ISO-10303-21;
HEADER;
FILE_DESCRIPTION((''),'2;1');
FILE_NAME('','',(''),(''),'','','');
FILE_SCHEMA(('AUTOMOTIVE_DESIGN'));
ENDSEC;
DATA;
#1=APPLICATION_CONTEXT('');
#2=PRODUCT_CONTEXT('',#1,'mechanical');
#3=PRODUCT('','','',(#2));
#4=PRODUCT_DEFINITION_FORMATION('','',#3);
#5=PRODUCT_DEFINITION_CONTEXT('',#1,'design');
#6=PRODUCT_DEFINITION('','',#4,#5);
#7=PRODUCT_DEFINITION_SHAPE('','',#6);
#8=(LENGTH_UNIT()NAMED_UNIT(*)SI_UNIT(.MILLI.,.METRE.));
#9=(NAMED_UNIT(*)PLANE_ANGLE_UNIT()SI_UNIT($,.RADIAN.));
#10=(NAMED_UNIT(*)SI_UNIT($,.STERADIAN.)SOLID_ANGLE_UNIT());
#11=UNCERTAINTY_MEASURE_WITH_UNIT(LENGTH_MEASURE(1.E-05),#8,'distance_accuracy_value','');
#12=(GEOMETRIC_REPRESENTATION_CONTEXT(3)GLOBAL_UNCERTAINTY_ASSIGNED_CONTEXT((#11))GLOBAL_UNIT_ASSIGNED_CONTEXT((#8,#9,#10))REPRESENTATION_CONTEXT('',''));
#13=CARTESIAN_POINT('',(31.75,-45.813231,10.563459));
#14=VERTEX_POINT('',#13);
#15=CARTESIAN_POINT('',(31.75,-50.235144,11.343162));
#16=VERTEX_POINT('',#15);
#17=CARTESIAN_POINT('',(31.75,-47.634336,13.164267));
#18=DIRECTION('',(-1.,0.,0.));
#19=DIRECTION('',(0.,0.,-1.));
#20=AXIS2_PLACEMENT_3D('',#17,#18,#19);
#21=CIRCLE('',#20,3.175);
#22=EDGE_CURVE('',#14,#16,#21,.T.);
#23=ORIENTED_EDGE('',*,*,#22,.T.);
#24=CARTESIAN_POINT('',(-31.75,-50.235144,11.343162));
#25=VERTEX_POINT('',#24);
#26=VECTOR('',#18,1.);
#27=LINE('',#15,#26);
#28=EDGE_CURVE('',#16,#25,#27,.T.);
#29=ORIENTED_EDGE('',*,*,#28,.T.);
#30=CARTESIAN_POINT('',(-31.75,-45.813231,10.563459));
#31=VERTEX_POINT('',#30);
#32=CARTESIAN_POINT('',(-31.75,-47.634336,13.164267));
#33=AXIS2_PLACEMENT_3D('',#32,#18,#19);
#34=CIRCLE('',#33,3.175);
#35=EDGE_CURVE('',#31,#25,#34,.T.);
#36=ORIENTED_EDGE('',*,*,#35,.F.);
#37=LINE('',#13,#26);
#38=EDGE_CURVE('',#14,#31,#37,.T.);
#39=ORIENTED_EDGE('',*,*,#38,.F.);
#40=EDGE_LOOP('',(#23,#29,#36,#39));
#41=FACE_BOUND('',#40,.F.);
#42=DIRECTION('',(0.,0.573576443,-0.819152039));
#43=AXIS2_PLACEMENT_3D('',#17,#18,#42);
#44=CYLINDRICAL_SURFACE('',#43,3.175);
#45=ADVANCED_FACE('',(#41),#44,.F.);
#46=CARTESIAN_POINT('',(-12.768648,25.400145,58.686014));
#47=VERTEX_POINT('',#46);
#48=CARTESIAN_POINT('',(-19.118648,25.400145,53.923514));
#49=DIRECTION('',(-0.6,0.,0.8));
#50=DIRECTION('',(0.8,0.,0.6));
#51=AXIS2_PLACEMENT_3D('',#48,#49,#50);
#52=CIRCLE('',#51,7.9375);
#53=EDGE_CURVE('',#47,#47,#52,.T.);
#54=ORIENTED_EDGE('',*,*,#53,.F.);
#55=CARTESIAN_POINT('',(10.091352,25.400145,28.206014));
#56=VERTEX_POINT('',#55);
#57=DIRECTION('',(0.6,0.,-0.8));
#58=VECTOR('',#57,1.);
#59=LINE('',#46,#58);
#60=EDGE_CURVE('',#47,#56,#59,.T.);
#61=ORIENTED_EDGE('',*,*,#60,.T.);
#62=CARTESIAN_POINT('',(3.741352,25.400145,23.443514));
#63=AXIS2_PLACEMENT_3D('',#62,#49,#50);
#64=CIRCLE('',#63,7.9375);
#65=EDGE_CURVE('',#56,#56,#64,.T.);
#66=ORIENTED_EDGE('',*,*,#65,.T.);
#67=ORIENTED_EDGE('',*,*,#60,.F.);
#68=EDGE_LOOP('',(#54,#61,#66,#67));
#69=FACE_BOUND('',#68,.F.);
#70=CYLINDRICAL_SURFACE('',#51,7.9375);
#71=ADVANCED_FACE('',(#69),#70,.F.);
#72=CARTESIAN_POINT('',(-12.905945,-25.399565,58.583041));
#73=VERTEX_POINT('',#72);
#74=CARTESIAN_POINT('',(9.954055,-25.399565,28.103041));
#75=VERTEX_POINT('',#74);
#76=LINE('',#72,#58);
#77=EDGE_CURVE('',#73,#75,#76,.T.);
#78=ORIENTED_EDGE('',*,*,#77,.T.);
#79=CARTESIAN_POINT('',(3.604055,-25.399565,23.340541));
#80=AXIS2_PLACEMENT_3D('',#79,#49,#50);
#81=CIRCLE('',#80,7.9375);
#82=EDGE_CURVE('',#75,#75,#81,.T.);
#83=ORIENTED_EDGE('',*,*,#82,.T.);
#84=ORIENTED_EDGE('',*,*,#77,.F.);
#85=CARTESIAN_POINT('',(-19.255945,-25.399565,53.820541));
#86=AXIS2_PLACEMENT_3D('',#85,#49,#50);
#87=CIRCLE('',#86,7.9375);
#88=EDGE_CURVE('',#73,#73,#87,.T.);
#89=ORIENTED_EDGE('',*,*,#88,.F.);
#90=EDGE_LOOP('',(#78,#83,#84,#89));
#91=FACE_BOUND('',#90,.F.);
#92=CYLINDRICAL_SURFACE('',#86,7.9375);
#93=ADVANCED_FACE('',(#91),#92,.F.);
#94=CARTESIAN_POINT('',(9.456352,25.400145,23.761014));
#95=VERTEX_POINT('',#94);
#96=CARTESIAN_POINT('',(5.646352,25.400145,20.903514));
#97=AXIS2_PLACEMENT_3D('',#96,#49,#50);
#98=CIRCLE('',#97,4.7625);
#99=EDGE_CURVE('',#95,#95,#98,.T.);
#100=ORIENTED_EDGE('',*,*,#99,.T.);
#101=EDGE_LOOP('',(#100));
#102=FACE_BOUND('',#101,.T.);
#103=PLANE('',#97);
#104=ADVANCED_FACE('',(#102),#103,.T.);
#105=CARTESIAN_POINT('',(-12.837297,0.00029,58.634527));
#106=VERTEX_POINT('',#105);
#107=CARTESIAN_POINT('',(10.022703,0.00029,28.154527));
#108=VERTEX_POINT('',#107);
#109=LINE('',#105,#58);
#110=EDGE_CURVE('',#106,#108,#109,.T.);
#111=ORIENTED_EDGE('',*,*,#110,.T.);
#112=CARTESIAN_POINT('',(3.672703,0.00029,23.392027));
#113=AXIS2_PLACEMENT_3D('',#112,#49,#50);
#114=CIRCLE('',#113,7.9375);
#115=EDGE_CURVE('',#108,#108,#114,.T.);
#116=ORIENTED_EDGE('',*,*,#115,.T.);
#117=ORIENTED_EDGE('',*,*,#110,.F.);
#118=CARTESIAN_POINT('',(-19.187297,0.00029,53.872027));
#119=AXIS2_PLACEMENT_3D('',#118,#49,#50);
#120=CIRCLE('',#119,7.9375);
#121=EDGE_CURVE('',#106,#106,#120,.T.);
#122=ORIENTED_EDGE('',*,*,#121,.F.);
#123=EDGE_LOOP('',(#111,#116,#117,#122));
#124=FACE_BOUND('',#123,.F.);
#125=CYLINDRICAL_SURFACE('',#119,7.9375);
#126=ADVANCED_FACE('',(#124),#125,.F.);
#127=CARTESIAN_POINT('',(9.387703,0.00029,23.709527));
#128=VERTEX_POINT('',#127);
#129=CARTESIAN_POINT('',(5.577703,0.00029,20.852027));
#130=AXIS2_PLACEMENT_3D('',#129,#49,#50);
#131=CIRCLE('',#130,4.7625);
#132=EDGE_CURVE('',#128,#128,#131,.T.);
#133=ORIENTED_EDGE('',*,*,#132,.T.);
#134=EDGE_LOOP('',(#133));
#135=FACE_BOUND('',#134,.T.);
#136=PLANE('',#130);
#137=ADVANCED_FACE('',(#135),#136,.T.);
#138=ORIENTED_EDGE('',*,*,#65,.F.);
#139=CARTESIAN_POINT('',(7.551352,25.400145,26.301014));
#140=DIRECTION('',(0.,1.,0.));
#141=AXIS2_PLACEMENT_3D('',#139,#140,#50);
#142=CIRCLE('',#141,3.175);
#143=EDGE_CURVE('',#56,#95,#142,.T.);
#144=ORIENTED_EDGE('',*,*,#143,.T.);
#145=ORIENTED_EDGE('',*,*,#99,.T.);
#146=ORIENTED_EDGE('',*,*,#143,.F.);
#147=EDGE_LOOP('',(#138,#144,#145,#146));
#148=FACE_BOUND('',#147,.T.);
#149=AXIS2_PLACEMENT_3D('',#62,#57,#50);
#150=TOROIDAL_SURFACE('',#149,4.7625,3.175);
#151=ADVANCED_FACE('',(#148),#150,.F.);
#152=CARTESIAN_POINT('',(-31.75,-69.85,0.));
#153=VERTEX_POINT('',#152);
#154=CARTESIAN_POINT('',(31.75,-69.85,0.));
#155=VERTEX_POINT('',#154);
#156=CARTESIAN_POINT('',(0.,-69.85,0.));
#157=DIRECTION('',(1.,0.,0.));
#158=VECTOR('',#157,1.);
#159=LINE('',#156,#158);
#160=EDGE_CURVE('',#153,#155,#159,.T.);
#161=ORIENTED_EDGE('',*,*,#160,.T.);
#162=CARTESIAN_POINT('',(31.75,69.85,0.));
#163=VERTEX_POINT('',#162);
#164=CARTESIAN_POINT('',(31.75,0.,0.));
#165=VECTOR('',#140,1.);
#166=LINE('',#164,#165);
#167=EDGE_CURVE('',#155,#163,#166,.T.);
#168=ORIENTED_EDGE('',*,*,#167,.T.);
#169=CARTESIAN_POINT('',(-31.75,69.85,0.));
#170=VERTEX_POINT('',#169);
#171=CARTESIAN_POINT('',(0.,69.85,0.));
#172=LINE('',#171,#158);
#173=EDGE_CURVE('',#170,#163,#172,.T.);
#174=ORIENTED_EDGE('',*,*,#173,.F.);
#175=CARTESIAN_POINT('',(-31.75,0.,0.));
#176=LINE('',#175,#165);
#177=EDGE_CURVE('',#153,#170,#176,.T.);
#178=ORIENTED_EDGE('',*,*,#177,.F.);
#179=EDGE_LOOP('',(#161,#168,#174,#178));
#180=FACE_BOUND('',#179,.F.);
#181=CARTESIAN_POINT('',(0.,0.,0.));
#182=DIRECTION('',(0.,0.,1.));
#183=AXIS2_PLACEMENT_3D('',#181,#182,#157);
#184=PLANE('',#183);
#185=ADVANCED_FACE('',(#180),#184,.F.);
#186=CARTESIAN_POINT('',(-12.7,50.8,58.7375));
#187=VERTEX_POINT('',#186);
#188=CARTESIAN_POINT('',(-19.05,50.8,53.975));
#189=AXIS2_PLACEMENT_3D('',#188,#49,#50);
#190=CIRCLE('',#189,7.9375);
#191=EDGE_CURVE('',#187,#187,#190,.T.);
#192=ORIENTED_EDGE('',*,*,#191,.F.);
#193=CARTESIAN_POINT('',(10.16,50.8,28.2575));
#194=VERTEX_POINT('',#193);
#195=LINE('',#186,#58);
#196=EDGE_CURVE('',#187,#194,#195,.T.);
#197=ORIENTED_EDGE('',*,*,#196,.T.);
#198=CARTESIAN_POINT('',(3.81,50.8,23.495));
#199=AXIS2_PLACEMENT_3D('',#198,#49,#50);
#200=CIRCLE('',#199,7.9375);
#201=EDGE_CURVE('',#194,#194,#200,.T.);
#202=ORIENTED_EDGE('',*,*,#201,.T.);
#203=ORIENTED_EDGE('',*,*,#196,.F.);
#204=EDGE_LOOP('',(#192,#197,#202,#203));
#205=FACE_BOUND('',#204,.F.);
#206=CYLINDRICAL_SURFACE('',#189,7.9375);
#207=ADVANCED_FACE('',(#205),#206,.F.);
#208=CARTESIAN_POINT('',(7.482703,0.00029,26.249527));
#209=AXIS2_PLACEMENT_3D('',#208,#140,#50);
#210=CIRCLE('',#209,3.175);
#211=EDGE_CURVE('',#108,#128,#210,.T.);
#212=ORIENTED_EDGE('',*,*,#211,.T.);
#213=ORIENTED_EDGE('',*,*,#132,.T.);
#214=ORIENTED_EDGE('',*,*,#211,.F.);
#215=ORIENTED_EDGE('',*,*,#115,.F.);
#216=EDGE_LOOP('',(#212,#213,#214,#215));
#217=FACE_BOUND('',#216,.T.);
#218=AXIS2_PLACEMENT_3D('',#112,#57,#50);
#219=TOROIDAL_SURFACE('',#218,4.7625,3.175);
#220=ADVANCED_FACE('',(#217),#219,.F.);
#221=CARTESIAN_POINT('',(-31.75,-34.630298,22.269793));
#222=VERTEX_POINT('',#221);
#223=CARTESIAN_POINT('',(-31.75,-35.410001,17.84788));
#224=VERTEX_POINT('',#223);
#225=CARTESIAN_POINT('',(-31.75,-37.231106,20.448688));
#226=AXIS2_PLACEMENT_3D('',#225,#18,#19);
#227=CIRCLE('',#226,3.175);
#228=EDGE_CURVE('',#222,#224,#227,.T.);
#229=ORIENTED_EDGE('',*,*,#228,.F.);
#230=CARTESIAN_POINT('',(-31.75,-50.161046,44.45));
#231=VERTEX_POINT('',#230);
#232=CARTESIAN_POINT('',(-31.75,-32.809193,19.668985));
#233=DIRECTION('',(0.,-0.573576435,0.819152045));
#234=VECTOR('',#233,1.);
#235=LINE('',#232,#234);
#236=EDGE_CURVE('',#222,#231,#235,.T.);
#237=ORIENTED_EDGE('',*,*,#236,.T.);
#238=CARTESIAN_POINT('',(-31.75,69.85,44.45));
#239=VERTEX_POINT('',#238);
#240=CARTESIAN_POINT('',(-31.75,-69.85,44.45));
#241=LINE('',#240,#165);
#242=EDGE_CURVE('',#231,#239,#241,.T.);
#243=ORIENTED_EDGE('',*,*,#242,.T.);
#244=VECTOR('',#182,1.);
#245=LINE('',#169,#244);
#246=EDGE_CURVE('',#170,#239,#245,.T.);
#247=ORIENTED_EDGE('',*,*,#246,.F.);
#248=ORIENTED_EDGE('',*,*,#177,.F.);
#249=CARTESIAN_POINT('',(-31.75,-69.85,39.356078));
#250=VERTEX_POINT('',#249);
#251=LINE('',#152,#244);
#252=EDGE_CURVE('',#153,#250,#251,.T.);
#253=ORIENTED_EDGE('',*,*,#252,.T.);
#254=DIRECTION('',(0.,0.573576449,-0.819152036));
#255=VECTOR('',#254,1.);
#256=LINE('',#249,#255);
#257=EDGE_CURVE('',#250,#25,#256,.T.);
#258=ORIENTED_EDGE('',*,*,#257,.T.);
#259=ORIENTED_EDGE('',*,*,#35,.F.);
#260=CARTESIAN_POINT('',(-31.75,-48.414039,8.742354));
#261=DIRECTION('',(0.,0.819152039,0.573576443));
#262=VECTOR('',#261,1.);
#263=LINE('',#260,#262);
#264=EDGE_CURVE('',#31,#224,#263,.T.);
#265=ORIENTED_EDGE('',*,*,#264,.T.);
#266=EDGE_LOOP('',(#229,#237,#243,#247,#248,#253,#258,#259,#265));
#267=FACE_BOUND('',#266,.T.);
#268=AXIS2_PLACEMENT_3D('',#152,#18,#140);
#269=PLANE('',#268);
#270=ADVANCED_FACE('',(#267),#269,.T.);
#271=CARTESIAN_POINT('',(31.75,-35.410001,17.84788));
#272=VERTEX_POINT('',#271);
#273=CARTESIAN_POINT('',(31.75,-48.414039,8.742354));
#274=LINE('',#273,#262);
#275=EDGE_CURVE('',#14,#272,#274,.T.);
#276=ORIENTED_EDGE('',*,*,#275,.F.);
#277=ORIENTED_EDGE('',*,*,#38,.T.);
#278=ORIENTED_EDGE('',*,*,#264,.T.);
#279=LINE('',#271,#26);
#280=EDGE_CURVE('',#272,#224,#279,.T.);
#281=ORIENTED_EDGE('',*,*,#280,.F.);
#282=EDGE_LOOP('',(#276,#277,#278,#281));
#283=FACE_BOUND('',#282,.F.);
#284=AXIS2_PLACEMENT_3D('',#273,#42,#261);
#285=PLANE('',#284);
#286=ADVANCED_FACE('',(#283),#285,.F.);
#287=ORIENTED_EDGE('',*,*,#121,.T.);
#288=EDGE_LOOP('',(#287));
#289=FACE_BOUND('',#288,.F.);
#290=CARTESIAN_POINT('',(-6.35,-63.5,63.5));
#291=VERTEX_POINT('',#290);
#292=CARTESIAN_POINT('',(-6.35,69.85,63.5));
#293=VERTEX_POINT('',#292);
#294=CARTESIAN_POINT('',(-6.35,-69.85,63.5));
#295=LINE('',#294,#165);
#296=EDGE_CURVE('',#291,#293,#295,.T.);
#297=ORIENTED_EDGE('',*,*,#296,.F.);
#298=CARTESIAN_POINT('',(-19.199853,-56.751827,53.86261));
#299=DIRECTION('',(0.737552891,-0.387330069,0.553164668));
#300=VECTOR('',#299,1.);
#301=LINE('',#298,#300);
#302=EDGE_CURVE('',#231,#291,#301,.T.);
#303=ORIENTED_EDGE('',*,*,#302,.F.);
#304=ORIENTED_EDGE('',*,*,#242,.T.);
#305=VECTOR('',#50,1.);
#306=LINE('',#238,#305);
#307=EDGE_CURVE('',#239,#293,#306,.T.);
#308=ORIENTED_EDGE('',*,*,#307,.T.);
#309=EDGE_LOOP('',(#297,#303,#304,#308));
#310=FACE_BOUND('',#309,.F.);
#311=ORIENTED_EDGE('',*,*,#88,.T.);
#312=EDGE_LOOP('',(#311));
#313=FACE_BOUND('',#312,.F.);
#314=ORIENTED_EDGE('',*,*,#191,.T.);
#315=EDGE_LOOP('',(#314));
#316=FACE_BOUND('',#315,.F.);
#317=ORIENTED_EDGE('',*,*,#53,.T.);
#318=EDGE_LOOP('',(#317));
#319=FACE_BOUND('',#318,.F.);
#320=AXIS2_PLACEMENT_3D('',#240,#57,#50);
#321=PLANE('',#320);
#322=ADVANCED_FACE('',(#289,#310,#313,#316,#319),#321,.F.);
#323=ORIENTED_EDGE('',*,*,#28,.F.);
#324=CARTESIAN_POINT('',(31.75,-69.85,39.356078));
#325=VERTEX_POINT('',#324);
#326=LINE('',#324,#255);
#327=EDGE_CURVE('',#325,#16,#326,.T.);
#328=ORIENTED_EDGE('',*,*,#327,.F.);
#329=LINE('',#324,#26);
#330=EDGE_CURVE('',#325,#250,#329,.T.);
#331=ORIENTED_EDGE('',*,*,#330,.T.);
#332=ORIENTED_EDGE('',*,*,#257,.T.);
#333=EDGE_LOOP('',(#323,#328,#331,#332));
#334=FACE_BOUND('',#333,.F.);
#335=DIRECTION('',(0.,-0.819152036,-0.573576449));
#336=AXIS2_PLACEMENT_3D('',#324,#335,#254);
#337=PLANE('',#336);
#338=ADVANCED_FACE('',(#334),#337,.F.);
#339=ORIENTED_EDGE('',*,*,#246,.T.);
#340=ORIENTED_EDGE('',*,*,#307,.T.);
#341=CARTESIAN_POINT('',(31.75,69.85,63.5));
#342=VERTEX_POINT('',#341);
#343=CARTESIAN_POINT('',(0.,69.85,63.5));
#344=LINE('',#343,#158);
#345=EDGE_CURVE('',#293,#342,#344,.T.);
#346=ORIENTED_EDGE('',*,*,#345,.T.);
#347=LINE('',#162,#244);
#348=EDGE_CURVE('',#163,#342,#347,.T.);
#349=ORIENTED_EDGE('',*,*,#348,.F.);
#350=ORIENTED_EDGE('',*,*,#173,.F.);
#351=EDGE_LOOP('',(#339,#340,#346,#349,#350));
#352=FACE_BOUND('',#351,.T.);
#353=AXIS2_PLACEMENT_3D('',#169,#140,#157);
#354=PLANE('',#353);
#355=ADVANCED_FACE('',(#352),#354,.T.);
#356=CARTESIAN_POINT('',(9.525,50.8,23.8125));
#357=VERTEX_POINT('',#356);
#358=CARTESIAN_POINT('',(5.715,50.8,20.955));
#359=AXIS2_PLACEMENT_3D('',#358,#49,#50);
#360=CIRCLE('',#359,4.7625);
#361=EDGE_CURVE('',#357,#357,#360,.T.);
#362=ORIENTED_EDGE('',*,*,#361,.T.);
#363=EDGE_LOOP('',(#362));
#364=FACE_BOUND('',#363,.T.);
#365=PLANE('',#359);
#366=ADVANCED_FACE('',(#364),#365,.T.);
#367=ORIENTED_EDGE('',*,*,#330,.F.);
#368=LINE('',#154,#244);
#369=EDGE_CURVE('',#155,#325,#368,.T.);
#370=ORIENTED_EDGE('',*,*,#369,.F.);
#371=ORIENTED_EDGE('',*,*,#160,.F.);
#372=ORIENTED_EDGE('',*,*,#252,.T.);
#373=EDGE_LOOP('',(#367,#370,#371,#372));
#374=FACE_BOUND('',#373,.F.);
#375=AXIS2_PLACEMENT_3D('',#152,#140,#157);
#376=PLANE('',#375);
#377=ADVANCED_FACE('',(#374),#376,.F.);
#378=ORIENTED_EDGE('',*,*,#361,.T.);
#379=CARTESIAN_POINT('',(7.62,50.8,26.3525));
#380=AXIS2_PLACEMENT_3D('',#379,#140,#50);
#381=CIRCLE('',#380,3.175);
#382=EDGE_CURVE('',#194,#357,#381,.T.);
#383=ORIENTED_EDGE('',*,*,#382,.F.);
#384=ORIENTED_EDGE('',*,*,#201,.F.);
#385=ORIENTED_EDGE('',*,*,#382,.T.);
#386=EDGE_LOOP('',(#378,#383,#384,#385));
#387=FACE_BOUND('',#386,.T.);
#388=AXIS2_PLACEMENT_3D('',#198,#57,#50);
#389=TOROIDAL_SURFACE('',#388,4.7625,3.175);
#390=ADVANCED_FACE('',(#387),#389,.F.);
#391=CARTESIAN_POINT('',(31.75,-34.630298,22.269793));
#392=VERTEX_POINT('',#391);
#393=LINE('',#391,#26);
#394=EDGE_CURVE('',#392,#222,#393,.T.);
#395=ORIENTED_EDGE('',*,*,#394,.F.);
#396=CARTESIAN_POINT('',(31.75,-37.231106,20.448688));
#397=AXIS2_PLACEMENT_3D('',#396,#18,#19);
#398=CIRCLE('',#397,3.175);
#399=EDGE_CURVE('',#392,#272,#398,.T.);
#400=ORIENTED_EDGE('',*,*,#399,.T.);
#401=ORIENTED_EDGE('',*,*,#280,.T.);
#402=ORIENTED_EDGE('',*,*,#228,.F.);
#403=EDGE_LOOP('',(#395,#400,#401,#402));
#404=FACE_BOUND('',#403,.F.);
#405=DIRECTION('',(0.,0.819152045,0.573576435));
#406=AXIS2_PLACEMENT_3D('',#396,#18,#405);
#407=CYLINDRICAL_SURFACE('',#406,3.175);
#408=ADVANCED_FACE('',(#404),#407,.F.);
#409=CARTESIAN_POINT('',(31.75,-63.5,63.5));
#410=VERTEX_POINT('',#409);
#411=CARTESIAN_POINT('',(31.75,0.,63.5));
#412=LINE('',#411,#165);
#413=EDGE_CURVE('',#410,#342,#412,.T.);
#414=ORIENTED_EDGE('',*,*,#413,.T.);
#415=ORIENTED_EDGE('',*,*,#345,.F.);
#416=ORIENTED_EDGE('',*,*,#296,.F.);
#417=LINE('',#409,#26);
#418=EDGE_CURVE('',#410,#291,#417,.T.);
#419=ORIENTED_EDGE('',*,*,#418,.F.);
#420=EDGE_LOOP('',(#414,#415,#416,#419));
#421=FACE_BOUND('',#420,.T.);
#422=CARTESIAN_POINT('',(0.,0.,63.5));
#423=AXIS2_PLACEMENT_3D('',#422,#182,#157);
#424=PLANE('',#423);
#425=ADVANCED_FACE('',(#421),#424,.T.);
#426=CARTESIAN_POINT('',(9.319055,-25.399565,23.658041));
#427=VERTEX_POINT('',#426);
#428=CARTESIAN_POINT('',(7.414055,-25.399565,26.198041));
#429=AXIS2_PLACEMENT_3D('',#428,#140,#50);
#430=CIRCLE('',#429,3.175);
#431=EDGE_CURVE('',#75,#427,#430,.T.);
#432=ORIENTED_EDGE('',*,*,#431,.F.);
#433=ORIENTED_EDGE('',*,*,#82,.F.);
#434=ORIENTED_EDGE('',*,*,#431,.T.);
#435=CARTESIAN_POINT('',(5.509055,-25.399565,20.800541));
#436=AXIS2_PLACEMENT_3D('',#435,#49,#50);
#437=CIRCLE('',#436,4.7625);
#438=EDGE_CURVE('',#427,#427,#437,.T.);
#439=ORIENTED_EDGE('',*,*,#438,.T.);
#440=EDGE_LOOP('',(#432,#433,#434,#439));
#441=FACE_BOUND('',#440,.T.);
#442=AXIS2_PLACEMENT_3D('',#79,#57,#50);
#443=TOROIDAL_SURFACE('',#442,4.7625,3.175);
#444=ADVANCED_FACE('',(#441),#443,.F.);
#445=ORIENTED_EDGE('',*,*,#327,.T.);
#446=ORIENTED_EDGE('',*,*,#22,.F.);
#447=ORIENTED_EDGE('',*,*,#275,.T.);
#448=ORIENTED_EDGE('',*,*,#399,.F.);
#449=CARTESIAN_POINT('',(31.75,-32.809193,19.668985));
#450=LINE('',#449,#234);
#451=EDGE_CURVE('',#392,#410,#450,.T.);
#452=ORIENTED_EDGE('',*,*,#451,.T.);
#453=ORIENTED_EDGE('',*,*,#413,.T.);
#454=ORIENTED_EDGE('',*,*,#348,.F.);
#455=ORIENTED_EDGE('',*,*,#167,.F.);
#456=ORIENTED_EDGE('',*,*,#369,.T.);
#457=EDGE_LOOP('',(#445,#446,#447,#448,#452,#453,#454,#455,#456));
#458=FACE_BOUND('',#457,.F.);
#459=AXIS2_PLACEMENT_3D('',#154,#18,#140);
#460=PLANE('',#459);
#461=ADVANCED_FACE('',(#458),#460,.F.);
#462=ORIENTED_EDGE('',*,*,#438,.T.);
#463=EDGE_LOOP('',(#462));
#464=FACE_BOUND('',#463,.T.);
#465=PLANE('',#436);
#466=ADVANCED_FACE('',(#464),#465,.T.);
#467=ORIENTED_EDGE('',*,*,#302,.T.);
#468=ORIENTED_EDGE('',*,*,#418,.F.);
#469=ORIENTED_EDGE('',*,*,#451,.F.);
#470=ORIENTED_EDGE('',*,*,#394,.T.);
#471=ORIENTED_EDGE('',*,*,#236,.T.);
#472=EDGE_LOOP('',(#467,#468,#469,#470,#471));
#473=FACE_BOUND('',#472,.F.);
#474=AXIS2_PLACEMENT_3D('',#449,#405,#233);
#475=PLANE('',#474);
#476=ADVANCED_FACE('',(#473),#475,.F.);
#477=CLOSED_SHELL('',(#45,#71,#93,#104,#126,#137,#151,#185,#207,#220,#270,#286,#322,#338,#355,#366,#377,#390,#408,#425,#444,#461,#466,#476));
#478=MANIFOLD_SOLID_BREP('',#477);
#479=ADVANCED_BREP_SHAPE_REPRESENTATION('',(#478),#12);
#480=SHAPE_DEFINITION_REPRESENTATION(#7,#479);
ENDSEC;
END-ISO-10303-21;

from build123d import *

# Parameters (mm, degrees)
F0_W     = 63.5
F0_H     = 139.7
F1_DEPTH = 63.5
F3_DEPTH = 139.7
F4_R     = 7.9375
F5_DEPTH = 41.275
F6_R     = 3.175
F8_DEPTH = 63.5
F9_R     = 3.175


with BuildPart() as f1:
    # F0 (on Top) → F1 (new body)
    with BuildSketch(Plane.XY):
        Rectangle(F0_W, F0_H)
    extrude(amount=F1_DEPTH)

    # F2 (on face) → F3 (cut, through all)
    with BuildSketch(Plane.XZ.offset(69.85)):
        Polygon((-31.75, 63.5), (-31.75, 44.45), (-6.35, 63.5), align=None)
    extrude(amount=-F3_DEPTH, mode=Mode.SUBTRACT)

    # F4 (on face) → F5 (cut)
    with BuildSketch(Plane(origin=(-32.766, 0, 43.688), x_dir=(0.8, 0, 0.6), z_dir=(-0.6, 0, 0.8))):
        with Locations((17.145, 50.8)):
            Circle(F4_R)
        with Locations((17.05919, 25.400145)):
            Circle(F4_R)
        with Locations((16.973379, 0.00029)):
            Circle(F4_R)
        with Locations((16.887569, -25.399565)):
            Circle(F4_R)
    extrude(amount=-F5_DEPTH, mode=Mode.SUBTRACT)

    # F6
    f6_edges = [f1.edges().sort_by_distance(p)[0] for p in [
        (-0.840945, -25.399565, 16.038041),
        (-0.772297, 0.00029, 16.089528),
        (-0.703648, 25.400145, 16.141014),
        (-0.635, 50.8, 16.1925),
    ]]
    fillet(f6_edges, radius=F6_R)

    # F7 (on face) → F8 (cut, through all)
    with BuildSketch(Plane.YZ.offset(31.75)):
        Polygon((-69.85, 63.5), (-69.85, 39.356078), (-48.414039, 8.742354), (-32.809193, 19.668985), (-63.5, 63.5), align=None)
    extrude(amount=-F8_DEPTH, mode=Mode.SUBTRACT)

    # F9
    f9_edges = [f1.edges().sort_by_distance(p)[0] for p in [
        (0, -32.809193, 19.668985),
        (0, -48.414039, 8.742354),
    ]]
    fillet(f9_edges, radius=F9_R)


solid = f1.part
